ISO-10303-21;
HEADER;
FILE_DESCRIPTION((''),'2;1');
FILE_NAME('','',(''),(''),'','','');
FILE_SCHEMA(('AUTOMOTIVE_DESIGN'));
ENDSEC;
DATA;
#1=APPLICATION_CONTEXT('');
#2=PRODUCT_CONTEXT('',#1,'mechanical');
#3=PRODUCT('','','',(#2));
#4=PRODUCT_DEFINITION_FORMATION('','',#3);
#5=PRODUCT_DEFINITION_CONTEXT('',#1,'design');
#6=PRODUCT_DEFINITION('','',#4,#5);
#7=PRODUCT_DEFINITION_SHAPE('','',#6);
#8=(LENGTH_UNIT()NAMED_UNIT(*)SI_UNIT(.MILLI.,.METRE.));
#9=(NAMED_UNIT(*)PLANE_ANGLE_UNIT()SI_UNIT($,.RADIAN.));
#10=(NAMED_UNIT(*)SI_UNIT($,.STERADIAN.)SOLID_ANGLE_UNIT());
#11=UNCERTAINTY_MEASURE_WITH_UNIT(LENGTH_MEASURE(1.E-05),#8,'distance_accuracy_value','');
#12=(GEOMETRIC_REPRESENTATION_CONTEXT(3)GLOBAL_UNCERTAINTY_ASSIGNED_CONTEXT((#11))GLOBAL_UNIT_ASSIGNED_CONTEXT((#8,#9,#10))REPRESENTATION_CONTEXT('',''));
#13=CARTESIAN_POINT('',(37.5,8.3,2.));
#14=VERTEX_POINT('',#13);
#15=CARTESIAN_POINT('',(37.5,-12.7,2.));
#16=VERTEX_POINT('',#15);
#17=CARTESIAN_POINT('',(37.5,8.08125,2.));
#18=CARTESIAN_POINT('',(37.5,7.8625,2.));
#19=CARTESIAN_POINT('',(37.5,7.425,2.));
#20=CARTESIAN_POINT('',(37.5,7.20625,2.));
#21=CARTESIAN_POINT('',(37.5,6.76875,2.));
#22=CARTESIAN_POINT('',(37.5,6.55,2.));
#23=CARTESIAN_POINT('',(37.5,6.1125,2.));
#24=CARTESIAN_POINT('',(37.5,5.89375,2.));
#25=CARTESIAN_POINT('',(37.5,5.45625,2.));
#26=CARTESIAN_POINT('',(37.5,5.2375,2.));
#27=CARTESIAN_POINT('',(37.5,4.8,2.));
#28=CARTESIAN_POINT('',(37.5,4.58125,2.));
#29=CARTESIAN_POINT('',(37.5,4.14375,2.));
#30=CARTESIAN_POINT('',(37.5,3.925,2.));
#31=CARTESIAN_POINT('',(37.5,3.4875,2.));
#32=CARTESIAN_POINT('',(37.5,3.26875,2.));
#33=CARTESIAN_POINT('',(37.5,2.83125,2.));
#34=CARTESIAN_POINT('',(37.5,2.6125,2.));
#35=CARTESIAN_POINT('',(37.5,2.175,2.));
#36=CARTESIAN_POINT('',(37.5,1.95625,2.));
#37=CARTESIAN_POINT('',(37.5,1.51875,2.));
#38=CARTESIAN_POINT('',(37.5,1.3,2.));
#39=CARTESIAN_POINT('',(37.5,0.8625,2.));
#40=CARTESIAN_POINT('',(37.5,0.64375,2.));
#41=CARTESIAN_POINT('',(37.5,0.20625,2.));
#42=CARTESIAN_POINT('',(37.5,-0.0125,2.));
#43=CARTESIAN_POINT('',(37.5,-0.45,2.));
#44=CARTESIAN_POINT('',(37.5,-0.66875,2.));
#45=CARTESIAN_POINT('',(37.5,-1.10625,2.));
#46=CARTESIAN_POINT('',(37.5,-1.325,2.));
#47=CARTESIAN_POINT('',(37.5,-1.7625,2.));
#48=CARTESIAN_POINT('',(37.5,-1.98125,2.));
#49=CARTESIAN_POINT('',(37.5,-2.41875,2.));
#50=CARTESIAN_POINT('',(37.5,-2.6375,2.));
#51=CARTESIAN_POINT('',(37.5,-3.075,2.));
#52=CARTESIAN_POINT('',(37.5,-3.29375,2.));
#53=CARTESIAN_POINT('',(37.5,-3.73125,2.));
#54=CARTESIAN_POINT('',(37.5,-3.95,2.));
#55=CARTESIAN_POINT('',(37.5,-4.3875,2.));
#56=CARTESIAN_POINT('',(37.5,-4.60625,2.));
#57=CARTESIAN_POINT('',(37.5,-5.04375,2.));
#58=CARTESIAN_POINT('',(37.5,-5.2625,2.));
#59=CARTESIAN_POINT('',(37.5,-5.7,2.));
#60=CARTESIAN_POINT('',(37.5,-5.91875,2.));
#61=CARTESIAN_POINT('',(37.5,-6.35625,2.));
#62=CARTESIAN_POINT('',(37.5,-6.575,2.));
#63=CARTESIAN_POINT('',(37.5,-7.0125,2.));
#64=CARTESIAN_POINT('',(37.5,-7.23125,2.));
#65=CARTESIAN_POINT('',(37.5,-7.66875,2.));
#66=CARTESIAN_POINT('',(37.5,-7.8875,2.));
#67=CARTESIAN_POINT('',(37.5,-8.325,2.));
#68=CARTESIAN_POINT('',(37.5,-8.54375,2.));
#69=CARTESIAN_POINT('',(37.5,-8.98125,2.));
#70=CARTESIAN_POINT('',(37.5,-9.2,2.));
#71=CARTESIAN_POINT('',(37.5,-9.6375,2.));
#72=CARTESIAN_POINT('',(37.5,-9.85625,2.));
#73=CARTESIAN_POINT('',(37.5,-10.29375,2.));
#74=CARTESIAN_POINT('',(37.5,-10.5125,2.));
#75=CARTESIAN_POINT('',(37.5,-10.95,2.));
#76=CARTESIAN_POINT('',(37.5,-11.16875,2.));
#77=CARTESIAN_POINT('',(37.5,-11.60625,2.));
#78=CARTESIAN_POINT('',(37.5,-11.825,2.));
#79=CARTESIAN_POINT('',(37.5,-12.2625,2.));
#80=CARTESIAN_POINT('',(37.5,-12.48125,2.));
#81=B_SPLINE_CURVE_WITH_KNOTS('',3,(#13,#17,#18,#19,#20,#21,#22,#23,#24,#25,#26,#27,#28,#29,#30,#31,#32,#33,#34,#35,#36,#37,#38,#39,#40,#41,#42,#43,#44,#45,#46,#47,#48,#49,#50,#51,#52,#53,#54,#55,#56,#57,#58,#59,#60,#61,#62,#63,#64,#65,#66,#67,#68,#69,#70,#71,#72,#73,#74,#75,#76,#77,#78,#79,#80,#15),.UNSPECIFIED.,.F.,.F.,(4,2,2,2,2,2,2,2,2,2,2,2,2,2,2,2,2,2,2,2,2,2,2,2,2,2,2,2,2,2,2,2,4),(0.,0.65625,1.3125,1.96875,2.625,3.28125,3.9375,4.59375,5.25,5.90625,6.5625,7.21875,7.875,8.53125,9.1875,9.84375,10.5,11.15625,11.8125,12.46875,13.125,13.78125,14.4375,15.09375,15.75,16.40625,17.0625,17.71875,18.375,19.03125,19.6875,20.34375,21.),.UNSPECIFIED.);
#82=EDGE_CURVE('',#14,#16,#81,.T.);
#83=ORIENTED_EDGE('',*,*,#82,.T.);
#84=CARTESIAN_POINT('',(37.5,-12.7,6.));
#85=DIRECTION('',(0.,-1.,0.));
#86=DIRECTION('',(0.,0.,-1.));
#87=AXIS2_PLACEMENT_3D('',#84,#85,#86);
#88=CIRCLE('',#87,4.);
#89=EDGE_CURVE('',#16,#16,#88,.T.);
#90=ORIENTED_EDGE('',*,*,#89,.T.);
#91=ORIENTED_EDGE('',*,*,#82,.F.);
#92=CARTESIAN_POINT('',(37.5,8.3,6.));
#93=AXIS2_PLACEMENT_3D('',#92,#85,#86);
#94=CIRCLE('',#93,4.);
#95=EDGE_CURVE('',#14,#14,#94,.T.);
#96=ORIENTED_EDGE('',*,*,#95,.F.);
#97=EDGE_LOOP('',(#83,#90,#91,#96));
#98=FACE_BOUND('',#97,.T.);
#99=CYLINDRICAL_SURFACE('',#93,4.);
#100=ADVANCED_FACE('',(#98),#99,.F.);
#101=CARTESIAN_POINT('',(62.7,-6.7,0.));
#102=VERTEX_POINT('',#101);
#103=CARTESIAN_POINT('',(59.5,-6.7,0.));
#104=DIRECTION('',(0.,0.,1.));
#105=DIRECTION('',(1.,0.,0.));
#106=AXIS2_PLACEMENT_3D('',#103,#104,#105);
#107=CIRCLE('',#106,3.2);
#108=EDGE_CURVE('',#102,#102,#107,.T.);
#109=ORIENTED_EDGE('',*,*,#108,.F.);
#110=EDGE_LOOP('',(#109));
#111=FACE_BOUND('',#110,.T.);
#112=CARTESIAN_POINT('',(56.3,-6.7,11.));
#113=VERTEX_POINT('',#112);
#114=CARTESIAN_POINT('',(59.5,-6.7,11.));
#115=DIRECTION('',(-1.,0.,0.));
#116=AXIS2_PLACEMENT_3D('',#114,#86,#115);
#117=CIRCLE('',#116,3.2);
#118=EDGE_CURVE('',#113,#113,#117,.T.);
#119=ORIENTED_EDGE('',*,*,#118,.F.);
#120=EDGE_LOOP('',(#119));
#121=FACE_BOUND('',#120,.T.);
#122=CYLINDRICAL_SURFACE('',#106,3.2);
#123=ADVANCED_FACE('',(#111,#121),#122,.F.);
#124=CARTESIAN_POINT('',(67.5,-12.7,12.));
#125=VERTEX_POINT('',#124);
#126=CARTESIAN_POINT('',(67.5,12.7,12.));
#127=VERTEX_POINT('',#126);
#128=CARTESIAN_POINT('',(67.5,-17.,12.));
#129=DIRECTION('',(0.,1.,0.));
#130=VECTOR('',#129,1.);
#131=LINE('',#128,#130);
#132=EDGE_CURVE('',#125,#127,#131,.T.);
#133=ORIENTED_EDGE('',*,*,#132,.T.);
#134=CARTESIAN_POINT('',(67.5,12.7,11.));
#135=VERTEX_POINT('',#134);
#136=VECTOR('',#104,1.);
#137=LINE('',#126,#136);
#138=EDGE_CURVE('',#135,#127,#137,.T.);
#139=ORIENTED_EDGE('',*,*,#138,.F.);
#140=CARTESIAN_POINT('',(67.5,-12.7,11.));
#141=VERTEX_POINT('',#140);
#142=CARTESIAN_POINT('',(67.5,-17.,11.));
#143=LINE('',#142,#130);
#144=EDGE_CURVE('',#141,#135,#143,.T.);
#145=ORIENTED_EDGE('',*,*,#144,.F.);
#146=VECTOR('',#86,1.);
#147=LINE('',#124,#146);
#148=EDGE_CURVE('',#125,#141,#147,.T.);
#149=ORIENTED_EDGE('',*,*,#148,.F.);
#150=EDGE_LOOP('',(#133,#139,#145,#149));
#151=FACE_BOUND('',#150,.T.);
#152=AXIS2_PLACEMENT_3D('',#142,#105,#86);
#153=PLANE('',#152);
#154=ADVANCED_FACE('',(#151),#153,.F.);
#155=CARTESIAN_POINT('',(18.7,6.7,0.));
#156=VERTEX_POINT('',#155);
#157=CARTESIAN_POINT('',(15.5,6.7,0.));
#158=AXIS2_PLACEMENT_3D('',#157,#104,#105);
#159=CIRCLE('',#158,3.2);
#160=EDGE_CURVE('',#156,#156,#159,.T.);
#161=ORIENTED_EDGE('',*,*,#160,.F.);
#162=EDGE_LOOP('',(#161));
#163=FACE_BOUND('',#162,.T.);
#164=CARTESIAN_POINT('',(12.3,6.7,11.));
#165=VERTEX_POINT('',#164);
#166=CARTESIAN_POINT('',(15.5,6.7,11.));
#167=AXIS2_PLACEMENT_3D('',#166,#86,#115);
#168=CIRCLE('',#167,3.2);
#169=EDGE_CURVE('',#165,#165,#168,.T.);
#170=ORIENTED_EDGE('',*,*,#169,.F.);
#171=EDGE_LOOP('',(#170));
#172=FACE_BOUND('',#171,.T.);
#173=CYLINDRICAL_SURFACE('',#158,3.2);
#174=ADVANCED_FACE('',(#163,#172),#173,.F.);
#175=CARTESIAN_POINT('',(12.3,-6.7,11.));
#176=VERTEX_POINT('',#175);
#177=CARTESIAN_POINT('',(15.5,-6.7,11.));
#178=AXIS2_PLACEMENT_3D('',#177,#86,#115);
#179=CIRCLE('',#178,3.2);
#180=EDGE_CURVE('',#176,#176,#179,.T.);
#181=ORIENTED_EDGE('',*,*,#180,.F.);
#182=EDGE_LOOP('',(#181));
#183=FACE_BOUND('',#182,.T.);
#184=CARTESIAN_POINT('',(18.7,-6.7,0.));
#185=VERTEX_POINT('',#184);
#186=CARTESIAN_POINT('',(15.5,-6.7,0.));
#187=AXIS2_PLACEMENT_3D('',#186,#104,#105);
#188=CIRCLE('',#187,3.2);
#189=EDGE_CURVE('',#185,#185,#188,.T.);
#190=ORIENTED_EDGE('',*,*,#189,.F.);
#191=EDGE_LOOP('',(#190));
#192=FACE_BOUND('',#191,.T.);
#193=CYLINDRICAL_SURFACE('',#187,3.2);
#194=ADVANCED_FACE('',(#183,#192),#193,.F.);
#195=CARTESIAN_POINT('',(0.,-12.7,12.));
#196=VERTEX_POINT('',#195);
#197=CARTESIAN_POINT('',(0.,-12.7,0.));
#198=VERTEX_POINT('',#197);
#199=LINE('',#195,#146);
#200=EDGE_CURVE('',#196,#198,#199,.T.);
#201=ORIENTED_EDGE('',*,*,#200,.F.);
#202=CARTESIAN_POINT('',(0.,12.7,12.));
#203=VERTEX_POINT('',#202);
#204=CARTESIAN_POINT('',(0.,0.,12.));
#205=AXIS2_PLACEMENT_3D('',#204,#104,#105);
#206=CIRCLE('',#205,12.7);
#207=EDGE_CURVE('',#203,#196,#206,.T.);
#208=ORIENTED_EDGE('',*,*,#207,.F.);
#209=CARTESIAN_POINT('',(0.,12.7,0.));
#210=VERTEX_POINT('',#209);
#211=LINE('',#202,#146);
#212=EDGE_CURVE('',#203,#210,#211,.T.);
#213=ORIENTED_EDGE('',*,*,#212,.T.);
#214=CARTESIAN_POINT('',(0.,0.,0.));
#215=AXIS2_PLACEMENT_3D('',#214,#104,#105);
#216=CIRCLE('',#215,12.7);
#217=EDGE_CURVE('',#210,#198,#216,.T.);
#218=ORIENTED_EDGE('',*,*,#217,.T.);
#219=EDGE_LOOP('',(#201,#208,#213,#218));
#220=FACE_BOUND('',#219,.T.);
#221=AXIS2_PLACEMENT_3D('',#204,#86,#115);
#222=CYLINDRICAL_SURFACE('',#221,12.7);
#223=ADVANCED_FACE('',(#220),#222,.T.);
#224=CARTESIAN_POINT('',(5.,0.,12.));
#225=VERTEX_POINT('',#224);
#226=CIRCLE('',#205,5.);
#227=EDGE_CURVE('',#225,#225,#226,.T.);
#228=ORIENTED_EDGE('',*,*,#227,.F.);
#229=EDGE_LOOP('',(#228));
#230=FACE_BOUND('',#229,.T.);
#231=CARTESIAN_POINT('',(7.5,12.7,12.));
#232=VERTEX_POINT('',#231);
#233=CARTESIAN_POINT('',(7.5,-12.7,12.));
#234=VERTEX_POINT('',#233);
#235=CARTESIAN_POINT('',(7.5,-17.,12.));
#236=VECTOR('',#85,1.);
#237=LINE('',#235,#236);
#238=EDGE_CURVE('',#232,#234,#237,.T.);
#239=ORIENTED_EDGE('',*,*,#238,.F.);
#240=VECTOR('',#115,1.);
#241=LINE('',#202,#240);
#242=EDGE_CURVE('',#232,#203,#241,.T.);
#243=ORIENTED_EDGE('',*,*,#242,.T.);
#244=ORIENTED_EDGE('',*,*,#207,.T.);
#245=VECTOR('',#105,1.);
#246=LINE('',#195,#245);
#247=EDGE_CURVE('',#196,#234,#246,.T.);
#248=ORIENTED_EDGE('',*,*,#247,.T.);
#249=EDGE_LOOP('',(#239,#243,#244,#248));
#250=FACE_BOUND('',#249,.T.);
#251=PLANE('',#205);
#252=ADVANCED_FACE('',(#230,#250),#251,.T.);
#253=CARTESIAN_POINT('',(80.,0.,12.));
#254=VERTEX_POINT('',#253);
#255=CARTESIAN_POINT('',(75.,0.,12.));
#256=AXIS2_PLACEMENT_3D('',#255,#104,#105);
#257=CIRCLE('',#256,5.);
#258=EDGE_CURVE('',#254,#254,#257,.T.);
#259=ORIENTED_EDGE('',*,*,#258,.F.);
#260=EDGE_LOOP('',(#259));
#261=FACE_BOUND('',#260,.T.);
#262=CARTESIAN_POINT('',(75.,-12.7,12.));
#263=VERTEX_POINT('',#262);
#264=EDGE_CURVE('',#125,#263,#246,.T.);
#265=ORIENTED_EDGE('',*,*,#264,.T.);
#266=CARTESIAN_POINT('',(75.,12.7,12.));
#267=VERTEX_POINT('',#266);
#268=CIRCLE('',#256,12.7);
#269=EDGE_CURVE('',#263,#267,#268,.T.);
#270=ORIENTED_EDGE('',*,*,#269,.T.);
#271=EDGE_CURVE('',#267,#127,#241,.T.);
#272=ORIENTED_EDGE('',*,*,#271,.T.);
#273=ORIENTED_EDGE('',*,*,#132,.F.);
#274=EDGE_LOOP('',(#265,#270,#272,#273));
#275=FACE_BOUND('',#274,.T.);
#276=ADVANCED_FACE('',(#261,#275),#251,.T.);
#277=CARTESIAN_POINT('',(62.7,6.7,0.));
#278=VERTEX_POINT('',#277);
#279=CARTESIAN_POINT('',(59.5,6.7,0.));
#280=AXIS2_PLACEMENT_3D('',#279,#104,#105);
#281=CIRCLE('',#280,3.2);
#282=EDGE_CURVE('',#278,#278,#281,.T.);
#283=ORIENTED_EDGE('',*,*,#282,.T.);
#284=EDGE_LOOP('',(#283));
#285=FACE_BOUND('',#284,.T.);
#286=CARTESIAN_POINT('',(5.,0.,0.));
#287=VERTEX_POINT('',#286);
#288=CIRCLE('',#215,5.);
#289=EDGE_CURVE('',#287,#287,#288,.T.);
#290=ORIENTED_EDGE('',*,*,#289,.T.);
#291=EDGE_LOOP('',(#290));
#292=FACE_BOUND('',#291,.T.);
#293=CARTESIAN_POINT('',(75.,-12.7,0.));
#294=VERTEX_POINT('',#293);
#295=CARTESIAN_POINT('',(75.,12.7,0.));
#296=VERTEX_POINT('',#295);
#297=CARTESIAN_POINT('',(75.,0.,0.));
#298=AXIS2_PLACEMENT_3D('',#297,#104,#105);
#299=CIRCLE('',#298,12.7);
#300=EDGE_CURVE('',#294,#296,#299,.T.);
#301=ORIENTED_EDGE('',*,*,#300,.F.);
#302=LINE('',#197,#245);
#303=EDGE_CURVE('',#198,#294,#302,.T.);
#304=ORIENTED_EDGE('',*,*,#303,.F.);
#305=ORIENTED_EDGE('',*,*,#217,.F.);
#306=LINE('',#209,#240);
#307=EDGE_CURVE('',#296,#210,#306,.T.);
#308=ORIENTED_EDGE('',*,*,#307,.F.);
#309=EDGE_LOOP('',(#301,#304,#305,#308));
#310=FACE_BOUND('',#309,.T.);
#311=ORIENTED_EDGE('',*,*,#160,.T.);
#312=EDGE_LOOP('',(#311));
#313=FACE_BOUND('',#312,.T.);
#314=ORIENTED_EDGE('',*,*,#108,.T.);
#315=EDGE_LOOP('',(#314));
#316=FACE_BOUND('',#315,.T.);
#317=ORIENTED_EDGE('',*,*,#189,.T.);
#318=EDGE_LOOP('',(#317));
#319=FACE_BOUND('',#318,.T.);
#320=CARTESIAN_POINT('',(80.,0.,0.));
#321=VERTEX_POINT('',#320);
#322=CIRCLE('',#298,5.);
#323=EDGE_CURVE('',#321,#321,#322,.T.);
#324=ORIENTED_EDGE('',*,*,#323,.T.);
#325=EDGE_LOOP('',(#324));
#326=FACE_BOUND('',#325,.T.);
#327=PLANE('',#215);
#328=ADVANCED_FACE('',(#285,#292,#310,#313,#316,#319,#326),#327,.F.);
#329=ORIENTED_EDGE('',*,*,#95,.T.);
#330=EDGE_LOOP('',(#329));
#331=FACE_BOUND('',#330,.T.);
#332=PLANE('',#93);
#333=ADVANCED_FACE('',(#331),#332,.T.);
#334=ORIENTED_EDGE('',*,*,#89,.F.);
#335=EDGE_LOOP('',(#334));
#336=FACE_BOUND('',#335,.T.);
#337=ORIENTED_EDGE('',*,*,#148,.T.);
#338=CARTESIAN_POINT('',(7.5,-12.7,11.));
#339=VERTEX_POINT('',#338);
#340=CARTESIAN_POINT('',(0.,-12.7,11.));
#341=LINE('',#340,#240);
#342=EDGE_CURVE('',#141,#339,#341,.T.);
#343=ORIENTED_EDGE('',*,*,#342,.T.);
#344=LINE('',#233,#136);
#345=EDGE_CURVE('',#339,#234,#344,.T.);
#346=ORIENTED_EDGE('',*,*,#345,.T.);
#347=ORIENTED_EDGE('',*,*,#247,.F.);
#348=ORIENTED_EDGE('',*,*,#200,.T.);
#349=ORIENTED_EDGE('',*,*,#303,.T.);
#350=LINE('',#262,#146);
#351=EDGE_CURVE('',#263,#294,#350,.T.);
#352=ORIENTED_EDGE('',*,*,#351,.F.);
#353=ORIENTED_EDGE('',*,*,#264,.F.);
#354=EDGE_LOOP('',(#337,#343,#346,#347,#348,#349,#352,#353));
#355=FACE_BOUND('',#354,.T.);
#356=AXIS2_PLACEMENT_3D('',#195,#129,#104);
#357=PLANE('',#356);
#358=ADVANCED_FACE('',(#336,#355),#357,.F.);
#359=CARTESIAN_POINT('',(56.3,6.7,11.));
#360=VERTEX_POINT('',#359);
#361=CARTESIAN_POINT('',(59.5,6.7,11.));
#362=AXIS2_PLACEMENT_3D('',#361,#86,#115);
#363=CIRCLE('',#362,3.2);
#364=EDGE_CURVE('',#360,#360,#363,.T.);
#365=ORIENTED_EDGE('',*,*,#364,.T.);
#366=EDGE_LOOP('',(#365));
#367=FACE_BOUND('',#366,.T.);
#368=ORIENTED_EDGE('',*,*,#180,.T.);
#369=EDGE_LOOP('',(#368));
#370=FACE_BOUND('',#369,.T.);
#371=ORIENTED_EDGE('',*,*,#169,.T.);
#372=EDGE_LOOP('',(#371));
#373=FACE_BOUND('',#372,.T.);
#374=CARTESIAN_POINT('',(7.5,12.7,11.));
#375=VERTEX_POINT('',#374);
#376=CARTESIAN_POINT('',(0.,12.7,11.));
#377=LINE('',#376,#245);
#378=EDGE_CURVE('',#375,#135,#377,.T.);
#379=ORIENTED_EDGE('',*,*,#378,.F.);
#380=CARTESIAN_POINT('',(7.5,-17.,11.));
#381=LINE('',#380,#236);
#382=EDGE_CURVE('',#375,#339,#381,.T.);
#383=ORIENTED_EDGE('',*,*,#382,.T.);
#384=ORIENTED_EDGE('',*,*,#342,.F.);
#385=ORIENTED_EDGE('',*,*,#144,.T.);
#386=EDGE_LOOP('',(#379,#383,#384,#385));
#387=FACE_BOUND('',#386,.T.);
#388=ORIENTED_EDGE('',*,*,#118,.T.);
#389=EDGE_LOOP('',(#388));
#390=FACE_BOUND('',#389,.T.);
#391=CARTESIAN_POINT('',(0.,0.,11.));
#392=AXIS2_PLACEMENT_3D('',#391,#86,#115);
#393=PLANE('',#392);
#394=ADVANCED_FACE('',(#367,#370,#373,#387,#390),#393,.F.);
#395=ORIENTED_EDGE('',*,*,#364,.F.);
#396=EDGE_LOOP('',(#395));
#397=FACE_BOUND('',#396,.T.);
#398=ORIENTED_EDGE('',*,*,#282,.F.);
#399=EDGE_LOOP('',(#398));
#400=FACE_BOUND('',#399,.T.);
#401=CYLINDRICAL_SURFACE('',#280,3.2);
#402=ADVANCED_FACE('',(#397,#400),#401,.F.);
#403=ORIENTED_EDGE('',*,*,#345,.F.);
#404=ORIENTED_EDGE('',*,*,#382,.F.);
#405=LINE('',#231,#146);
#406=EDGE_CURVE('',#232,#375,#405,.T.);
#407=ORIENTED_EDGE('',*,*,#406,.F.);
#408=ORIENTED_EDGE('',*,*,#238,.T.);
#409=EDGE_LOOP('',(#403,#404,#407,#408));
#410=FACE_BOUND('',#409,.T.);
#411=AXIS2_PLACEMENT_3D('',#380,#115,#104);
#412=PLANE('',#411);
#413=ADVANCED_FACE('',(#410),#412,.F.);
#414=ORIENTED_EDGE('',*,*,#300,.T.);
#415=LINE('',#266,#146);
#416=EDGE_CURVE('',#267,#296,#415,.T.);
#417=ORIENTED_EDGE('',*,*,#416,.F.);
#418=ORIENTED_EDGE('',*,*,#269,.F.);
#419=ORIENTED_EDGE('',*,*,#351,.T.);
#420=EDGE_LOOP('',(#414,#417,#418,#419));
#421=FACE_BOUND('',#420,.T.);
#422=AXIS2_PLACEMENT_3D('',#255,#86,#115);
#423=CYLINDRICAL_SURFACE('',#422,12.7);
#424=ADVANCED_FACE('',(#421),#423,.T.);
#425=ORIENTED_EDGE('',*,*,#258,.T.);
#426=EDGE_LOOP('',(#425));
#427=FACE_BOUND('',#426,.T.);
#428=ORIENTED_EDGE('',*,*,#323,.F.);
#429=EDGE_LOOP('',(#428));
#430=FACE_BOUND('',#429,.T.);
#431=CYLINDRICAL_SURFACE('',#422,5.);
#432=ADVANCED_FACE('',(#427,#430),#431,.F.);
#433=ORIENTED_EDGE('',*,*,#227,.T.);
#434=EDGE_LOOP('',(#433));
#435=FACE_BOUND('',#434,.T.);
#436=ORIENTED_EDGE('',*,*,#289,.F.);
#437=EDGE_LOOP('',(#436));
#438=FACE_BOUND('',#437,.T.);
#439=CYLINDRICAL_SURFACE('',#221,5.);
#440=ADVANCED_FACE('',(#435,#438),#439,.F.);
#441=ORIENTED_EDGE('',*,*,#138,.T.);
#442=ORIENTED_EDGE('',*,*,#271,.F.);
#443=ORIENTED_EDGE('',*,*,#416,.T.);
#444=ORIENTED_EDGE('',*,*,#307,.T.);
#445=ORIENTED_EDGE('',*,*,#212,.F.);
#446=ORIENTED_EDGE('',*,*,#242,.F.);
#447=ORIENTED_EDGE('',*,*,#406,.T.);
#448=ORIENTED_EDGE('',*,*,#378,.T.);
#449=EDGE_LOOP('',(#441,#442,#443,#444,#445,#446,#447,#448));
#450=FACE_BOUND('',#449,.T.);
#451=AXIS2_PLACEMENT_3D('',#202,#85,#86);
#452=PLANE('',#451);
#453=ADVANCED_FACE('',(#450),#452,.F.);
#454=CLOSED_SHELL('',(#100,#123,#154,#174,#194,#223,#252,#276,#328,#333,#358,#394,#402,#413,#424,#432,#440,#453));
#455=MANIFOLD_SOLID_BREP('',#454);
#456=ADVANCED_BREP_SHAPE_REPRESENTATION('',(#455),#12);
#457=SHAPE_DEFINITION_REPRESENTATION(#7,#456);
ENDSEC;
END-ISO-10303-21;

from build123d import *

# Parameters (mm, degrees)
CROQUIS1_R              = 5
SALIENTE_EXTRUIR1_DEPTH = 12
CROQUIS2_R              = 4
CORTAR_EXTRUIR1_DEPTH   = 21
CROQUIS3_W              = 60
CROQUIS3_H              = 34
CORTAR_EXTRUIR4_DEPTH   = 1
CROQUIS5_R              = 3.2
CORTAR_EXTRUIR5_DEPTH   = 90.423598675


with BuildPart() as part:
    # Croquis1 → Saliente-Extruir1 (new body)
    with BuildSketch(Plane.XY):
        with BuildLine():
            Line((0, 12.7), (75, 12.7))
            ThreePointArc((75, 12.7), (87.7, 0), (75, -12.7))
            Line((75, -12.7), (0, -12.7))
            ThreePointArc((0, -12.7), (-12.7, 0), (0, 12.7))
        make_face()
        Circle(CROQUIS1_R, mode=Mode.SUBTRACT)
        with Locations((75, 0)):
            Circle(CROQUIS1_R, mode=Mode.SUBTRACT)
    extrude(amount=SALIENTE_EXTRUIR1_DEPTH)

    # Croquis2 → Cortar-Extruir1 (cut)
    with BuildSketch(Plane.XZ.offset(12.7)):
        with Locations(Location((37.5, 6, 0), (0, 0, 270))):
            Circle(CROQUIS2_R)
    extrude(amount=-CORTAR_EXTRUIR1_DEPTH, mode=Mode.SUBTRACT)

    # Croquis3 → Cortar-Extruir4 (cut)
    with BuildSketch(Plane.XY.offset(12)):
        with Locations((37.5, 0)):
            Rectangle(CROQUIS3_W, CROQUIS3_H)
    extrude(amount=-CORTAR_EXTRUIR4_DEPTH, mode=Mode.SUBTRACT)

    # Croquis5 → Cortar-Extruir5 (cut, through all)
    with BuildSketch(Plane.XY.offset(12)):
        with Locations((59.5, -6.7)):
            Circle(CROQUIS5_R)
        with Locations((59.5, 6.7)):
            Circle(CROQUIS5_R)
        with Locations((15.5, 6.7)):
            Circle(CROQUIS5_R)
        with Locations((15.5, -6.7)):
            Circle(CROQUIS5_R)
    extrude(amount=-CORTAR_EXTRUIR5_DEPTH, mode=Mode.SUBTRACT)


solid = part.part
